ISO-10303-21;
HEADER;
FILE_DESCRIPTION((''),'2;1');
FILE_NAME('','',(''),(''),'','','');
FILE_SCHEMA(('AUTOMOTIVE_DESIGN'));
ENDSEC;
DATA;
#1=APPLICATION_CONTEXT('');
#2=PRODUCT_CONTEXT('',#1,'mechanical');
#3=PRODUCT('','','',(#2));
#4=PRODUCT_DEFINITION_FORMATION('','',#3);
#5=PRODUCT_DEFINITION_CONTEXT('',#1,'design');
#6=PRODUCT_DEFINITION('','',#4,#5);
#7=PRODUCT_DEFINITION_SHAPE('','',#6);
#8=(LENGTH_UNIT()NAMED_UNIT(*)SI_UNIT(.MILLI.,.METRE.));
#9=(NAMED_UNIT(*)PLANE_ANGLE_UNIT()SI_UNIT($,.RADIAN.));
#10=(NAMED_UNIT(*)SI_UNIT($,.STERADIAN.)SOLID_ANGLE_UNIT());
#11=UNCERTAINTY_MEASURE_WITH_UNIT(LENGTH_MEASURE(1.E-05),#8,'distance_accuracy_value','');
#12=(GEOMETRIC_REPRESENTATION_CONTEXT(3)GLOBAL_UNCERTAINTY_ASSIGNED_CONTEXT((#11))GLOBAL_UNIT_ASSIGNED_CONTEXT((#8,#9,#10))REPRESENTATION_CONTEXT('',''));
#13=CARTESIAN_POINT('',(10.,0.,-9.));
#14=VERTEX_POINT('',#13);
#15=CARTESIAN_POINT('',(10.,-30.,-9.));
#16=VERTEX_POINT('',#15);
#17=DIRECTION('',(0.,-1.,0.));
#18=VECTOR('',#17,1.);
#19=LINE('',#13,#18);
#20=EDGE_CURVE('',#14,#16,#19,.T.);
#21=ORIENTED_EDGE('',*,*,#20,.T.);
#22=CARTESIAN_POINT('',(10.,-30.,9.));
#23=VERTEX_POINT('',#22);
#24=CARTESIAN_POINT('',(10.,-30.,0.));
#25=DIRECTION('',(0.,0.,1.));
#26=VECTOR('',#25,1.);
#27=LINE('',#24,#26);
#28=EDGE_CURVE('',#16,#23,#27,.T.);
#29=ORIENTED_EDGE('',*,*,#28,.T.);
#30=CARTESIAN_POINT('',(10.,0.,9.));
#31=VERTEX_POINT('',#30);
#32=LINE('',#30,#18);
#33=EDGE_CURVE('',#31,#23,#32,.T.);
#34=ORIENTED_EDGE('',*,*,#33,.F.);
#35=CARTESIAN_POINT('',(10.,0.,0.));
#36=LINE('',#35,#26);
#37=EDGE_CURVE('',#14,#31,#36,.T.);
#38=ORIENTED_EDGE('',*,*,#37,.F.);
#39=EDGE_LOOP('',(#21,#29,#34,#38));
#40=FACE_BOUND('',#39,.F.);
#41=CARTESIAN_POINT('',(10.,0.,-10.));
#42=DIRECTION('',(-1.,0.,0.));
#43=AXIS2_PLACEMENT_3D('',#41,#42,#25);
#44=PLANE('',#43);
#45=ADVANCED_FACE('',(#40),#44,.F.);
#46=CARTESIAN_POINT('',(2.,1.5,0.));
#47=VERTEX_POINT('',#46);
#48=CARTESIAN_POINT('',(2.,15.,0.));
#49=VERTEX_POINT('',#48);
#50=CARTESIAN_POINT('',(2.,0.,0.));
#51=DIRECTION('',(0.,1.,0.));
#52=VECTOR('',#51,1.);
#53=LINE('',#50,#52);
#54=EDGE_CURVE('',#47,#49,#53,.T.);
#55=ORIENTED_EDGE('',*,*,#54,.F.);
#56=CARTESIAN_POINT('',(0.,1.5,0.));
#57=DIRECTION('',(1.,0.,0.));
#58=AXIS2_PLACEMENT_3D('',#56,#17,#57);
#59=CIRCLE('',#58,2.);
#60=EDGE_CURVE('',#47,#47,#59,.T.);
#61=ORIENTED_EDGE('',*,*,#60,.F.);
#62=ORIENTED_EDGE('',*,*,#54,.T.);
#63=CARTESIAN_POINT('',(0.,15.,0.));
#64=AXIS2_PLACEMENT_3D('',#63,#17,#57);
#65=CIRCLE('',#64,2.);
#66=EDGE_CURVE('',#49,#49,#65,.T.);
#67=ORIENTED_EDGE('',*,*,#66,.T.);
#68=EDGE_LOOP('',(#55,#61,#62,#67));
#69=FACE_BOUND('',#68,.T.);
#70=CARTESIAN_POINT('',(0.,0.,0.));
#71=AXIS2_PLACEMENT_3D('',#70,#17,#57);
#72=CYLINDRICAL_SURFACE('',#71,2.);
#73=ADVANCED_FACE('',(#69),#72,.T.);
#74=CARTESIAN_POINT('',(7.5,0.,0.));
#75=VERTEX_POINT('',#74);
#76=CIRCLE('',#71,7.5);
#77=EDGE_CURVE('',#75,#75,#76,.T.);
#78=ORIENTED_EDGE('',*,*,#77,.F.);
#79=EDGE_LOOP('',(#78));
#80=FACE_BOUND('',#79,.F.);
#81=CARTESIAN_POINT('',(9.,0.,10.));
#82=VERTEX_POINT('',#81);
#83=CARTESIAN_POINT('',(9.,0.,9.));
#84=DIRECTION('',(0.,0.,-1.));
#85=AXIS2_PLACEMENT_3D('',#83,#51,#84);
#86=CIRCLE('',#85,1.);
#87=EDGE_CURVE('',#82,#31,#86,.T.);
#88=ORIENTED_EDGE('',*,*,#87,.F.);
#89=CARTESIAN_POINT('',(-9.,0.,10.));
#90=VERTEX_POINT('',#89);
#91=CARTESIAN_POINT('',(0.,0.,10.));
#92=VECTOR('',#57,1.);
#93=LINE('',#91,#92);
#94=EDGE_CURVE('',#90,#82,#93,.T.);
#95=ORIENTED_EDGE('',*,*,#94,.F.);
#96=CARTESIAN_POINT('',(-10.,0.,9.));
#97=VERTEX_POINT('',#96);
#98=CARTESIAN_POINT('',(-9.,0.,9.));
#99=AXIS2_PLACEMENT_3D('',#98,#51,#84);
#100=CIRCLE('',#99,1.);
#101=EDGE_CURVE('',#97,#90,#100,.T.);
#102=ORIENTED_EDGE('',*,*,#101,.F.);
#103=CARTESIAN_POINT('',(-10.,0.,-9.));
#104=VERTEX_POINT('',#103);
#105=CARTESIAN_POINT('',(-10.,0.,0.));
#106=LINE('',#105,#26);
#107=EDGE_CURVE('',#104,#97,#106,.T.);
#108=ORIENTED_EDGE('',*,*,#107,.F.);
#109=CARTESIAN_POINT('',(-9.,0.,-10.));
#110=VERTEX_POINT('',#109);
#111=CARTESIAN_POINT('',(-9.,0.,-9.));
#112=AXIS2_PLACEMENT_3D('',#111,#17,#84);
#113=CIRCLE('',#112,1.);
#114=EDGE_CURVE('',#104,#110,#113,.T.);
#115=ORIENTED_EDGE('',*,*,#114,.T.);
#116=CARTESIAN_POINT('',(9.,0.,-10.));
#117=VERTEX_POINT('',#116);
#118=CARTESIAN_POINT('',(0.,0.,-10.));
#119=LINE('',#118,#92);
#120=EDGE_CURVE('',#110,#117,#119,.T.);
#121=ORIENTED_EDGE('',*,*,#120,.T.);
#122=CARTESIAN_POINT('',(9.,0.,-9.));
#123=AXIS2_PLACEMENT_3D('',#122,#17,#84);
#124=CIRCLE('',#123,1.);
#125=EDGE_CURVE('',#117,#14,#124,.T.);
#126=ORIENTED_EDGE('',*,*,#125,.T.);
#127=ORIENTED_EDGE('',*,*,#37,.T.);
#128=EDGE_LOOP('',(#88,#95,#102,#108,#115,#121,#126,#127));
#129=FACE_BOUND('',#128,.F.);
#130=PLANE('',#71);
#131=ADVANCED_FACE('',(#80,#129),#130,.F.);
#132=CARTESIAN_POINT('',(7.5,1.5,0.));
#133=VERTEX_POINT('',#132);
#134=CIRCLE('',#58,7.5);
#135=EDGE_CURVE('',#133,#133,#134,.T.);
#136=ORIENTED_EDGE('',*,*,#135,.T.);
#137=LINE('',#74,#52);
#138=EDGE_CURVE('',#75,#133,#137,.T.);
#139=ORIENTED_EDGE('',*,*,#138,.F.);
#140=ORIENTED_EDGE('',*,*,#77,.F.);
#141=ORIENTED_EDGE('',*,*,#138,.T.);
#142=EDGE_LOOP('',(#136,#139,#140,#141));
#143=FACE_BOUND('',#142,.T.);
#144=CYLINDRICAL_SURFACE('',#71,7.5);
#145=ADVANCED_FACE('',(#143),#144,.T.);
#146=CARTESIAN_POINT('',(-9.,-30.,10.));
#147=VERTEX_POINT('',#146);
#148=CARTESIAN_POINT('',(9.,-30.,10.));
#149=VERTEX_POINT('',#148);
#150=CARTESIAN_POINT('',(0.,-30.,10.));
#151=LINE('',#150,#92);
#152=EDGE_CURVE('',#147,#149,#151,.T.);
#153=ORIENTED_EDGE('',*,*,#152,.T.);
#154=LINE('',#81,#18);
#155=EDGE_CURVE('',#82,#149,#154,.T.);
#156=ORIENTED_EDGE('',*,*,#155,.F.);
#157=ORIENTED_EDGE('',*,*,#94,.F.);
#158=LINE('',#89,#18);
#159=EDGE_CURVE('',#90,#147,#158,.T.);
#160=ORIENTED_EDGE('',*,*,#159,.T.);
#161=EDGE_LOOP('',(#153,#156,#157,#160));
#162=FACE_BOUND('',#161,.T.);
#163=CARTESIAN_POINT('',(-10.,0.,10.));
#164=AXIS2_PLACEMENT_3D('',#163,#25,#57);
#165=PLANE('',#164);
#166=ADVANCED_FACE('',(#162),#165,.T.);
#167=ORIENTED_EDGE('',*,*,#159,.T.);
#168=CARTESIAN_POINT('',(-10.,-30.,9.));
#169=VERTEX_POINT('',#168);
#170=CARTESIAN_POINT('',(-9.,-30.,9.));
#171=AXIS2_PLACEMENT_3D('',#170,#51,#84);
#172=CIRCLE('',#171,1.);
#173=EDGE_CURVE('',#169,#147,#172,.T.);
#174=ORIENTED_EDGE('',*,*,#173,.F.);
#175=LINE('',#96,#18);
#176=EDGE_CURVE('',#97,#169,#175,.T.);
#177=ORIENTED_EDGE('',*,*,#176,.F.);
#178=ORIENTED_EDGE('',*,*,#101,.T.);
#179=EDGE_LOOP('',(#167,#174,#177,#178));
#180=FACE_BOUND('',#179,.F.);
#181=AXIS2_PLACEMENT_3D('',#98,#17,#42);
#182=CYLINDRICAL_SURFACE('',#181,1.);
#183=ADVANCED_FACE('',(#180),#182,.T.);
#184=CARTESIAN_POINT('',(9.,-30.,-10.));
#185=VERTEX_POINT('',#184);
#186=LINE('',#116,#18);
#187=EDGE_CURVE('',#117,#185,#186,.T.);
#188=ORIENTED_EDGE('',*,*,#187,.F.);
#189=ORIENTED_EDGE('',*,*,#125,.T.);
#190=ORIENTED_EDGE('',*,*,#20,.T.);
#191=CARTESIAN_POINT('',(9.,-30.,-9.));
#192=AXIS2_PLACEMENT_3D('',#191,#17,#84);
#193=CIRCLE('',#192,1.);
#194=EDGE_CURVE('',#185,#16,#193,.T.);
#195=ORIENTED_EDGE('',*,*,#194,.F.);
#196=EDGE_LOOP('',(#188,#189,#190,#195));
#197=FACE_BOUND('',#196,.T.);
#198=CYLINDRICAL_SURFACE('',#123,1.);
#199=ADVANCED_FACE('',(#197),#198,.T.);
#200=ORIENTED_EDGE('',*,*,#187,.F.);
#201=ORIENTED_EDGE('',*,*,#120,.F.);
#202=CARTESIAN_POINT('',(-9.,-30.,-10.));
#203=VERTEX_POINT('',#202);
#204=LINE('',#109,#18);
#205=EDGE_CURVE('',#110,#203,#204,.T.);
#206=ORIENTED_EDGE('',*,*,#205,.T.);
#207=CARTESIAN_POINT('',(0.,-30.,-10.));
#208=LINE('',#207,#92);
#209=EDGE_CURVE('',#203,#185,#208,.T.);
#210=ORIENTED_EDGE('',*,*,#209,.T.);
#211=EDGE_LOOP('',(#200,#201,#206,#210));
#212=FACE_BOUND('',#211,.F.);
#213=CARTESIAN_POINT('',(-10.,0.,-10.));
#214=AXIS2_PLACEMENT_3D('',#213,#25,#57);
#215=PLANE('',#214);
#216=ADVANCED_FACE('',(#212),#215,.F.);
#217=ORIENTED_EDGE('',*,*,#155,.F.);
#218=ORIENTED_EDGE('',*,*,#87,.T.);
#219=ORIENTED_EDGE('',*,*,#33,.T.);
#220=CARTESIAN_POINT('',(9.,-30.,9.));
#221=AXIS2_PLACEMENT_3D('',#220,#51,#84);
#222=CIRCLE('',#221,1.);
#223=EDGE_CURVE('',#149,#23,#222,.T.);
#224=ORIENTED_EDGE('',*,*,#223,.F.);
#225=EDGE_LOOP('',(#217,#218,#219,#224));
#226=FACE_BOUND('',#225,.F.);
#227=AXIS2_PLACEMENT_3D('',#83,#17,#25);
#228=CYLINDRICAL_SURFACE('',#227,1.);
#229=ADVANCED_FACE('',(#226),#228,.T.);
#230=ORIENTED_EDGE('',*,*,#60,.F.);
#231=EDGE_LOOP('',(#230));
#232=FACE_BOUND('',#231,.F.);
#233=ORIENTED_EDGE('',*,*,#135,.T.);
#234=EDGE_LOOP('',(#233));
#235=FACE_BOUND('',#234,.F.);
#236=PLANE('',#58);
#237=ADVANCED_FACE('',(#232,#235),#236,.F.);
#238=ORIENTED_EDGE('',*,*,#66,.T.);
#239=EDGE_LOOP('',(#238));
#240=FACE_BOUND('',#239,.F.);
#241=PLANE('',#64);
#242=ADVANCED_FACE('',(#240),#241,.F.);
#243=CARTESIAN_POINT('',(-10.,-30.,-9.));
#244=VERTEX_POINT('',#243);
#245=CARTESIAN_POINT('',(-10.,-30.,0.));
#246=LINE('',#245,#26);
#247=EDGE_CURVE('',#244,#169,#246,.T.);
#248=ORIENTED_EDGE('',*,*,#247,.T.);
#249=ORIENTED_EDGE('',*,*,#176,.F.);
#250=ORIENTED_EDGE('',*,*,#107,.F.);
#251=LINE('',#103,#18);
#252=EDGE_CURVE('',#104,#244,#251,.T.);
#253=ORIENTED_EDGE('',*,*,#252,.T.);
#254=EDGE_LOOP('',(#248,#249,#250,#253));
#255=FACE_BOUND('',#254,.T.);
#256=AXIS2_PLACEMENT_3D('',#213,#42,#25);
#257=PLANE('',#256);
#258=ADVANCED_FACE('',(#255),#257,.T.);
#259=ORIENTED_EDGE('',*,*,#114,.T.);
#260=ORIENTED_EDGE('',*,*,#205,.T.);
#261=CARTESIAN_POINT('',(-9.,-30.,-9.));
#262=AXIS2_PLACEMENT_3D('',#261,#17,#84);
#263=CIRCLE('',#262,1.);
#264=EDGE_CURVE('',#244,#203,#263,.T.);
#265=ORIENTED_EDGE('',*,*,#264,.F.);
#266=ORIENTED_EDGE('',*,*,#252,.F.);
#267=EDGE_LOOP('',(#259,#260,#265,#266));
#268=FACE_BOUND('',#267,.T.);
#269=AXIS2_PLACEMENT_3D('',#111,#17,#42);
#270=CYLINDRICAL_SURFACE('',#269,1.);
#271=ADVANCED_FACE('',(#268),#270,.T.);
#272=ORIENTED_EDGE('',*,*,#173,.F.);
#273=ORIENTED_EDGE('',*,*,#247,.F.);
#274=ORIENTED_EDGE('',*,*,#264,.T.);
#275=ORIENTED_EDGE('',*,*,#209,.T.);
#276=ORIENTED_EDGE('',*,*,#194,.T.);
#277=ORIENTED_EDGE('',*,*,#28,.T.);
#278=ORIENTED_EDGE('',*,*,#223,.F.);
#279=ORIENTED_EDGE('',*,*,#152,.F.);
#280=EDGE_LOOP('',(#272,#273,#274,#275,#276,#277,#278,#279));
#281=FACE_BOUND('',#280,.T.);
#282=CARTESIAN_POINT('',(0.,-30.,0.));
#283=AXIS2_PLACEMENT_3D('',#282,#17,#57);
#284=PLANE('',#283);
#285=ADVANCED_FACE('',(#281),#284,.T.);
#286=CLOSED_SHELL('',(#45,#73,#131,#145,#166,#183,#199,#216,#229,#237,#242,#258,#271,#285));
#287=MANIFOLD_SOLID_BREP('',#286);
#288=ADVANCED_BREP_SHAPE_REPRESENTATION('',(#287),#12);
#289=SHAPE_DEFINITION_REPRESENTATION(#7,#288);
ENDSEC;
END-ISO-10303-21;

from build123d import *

# Parameters (mm, degrees)
F0_W     = 20
F0_H     = 20
F0_R     = 7.5
F0_R_2   = 2
F1_DEPTH = 30
F2_DEPTH = 15
F3_R     = 1
F4_DEPTH = 1.5


with BuildPart() as f1:
    # F0 (on Front) → F1 (new body)
    with BuildSketch(Plane.XZ):
        Rectangle(F0_W, F0_H)
        Circle(F0_R, mode=Mode.SUBTRACT)
        Circle(F0_R)
        Circle(F0_R_2, mode=Mode.SUBTRACT)
        Circle(F0_R_2)
    extrude(amount=F1_DEPTH)

    # F0 (on Front) → F2 (join)
    with BuildSketch(Plane.XZ):
        Circle(F0_R_2)
    extrude(amount=-F2_DEPTH)

    # F3
    f3_edges = [f1.edges().sort_by_distance(p)[0] for p in [
        (10, -15, 10),
        (-10, -15, 10),
        (-10, -15, -10),
        (10, -15, -10),
    ]]
    fillet(f3_edges, radius=F3_R)

    # F0 (on Front) → F4 (join)
    with BuildSketch(Plane.XZ):
        Circle(F0_R)
        Circle(F0_R_2, mode=Mode.SUBTRACT)
    extrude(amount=-F4_DEPTH)


solid = f1.part
